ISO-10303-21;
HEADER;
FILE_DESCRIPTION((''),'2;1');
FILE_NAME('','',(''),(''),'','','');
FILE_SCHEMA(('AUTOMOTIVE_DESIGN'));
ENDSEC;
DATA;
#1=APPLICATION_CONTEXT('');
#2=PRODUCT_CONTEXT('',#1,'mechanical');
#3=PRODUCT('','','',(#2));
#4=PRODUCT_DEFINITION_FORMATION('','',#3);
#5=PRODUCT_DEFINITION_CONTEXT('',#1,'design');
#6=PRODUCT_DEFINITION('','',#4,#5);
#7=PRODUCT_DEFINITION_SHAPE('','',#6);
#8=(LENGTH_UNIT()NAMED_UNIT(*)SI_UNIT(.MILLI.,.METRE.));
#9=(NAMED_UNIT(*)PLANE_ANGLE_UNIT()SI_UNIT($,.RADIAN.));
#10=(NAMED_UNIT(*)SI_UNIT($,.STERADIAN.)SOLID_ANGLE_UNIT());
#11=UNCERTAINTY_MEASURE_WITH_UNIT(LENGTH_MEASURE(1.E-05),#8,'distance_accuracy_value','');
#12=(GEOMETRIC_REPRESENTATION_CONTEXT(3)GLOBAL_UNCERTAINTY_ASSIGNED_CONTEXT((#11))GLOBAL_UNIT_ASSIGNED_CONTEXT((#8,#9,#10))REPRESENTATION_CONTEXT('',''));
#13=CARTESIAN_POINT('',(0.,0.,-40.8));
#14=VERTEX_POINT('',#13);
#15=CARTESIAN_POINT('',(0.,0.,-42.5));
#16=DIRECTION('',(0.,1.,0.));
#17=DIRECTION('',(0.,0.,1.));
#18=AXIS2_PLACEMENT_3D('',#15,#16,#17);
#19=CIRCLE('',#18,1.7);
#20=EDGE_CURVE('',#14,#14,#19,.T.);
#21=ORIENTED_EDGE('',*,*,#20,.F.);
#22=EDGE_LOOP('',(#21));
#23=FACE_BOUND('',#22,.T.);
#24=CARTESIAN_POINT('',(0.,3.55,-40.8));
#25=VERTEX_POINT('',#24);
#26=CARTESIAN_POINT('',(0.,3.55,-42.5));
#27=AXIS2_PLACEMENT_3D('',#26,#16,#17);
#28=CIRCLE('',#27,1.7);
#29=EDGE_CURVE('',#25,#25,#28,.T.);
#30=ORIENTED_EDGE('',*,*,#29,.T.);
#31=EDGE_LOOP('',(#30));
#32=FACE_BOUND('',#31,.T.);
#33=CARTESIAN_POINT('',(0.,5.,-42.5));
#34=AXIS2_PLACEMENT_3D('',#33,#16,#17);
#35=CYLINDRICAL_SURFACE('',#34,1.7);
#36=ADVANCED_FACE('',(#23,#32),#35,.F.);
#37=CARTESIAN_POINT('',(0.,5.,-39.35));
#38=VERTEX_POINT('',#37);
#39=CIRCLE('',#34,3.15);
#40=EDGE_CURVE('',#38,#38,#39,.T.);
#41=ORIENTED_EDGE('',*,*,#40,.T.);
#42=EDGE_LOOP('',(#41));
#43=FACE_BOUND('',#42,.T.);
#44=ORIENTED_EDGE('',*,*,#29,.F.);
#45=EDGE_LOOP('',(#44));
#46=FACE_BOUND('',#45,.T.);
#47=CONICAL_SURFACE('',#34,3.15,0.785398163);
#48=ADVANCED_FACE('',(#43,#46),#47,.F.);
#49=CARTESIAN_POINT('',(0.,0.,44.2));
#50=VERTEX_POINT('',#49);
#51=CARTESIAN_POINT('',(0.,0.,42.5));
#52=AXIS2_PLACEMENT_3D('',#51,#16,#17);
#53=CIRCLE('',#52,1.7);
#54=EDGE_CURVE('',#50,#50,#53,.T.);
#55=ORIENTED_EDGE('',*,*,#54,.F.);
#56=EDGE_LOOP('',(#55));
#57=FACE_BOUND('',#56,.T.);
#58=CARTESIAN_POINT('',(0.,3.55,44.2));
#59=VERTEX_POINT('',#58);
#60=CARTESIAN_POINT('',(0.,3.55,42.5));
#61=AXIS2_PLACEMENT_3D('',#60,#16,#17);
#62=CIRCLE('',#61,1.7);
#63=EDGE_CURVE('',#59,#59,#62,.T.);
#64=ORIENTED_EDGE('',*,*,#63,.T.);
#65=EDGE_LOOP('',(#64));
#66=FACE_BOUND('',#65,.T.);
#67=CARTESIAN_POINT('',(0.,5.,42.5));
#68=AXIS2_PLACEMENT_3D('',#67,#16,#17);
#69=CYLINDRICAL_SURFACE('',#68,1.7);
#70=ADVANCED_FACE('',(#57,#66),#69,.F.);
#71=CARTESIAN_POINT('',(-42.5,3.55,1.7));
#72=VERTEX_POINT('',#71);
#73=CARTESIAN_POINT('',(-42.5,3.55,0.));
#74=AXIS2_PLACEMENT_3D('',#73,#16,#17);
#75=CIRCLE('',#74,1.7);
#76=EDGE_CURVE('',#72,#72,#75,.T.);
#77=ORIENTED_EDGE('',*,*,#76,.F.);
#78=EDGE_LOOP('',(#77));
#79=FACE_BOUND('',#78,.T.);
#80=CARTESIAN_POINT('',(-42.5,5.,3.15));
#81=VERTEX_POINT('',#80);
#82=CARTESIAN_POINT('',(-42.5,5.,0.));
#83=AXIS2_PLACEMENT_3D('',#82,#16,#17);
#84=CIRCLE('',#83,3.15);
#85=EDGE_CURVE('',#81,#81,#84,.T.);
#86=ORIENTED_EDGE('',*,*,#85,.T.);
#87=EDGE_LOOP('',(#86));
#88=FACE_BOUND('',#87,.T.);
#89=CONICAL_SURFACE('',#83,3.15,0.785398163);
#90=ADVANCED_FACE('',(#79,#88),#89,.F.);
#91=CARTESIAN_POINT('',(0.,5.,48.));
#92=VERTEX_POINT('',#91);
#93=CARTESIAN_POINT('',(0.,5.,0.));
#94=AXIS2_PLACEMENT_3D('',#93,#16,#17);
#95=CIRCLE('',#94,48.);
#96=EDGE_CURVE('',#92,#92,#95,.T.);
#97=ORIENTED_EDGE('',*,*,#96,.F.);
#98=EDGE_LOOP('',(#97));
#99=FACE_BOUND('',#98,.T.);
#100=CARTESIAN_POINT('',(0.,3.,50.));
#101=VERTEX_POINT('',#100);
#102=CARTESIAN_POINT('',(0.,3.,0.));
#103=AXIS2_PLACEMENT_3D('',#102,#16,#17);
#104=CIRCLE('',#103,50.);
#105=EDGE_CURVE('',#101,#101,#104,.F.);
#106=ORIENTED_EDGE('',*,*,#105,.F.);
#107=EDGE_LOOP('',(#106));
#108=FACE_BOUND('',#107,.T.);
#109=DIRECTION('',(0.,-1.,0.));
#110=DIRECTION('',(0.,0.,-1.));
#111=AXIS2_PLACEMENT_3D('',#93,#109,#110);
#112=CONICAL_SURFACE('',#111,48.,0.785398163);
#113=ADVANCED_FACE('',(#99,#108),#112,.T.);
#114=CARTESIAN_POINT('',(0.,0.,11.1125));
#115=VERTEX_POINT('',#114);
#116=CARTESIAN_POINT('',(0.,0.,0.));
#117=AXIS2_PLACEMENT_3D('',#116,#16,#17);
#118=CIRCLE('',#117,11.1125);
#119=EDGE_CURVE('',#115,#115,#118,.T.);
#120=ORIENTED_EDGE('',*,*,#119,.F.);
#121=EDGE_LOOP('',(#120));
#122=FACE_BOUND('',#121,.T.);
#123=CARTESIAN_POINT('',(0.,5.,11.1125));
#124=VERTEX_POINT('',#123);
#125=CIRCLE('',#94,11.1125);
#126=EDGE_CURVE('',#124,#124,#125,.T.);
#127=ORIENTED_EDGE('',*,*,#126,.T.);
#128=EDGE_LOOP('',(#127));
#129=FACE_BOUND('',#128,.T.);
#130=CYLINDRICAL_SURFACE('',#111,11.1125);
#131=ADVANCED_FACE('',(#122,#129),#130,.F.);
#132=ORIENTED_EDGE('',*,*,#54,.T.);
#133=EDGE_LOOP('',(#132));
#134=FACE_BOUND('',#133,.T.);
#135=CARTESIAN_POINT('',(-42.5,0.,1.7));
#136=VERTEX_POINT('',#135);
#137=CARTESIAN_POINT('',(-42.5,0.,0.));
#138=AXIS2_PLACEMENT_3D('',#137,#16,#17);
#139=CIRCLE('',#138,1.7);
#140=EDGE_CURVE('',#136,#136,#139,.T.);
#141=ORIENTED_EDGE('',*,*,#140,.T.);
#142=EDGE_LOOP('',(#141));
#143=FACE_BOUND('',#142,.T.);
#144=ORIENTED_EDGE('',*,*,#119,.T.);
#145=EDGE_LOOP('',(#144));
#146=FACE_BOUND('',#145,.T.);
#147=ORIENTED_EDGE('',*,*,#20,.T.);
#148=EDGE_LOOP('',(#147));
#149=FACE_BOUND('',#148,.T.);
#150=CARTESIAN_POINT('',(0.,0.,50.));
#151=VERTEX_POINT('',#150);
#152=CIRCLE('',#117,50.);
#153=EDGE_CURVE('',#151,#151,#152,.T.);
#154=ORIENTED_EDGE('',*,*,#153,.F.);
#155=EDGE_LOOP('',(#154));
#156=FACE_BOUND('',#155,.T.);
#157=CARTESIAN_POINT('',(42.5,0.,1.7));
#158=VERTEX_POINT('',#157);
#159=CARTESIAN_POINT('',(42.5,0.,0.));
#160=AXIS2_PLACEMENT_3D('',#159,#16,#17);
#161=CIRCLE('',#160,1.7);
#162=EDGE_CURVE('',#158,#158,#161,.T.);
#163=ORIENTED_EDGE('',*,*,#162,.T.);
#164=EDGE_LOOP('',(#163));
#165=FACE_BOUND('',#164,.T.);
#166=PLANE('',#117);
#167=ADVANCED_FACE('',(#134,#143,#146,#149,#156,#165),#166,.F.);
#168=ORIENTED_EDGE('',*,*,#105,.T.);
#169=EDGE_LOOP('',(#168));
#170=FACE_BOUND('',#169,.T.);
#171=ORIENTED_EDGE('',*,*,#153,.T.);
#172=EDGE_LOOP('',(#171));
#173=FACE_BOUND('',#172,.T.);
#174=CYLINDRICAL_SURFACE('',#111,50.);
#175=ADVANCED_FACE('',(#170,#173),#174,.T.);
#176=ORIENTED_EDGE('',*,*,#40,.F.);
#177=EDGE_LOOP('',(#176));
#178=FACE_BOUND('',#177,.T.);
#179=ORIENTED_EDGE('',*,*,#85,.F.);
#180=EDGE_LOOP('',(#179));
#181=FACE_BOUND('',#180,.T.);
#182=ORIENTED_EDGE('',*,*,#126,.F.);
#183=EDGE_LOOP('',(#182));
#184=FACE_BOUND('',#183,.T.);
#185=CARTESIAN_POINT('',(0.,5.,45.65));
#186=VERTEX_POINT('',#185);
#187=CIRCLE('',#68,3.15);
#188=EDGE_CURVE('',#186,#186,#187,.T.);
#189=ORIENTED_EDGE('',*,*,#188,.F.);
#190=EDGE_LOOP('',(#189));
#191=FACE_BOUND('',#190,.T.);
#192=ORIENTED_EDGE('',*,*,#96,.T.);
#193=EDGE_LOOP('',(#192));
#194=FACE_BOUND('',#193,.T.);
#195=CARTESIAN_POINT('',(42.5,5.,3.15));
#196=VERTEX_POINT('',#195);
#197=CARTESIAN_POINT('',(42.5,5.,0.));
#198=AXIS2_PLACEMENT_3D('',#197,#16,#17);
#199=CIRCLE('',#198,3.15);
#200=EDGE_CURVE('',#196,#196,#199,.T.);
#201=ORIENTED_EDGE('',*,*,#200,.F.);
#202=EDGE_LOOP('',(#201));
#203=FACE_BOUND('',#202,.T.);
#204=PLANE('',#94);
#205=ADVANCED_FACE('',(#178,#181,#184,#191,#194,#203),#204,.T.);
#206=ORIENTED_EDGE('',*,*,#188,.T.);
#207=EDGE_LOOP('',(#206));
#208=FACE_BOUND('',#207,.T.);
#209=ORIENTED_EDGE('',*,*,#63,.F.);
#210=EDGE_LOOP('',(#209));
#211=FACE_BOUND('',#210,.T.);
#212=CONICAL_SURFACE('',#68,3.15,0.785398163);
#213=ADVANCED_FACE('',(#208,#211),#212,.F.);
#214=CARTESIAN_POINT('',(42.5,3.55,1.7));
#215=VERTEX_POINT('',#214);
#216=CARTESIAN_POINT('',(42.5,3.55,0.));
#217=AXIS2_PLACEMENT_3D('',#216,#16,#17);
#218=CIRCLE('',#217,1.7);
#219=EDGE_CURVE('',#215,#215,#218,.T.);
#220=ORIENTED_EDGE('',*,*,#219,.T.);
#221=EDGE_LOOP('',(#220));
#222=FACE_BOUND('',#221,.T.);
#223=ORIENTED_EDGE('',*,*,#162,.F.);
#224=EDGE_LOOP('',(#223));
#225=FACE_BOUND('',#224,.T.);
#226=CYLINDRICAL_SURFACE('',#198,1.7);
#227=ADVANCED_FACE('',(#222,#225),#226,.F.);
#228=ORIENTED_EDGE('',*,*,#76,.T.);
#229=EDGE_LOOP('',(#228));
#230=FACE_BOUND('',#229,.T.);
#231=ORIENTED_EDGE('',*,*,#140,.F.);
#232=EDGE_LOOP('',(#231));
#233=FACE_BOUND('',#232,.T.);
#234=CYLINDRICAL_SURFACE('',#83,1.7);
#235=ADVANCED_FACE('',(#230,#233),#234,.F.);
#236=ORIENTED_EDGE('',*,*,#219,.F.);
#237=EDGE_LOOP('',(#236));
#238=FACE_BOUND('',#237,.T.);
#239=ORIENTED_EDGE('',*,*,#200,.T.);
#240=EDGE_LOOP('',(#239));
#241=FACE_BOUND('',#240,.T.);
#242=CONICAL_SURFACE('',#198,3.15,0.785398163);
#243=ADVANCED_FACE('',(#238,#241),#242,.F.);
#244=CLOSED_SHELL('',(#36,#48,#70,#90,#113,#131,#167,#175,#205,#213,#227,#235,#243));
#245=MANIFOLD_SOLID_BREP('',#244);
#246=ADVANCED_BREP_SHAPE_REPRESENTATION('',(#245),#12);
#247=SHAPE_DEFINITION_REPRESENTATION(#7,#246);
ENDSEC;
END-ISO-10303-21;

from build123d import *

# Parameters (mm, degrees)
SKETCH1_R                                       = 50
SKETCH1_R_2                                     = 11.1125
BOSS_EXTRUDE1_DEPTH                             = 5
CSK_FOR_M3_FLAT_HEAD_MACHINE_SCREW1_D           = 3.4
CSK_FOR_M3_FLAT_HEAD_MACHINE_SCREW1_CSINK_D     = 6.3
CSK_FOR_M3_FLAT_HEAD_MACHINE_SCREW1_CSINK_ANGLE = 90
CIRPATTERN1_COUNT                               = 4
CHAMFER1_SIZE                                   = 2


with BuildPart() as part:
    # Sketch1 → Boss-Extrude1 (new body)
    with BuildSketch(Plane(origin=(0, 0, 0), x_dir=(1, 0, 0), z_dir=(0, 1, 0))):
        with Locations(Location((0, 0, 0), (0, 0, 270))):
            Circle(SKETCH1_R)
        with Locations(Location((0, 0, 0), (0, 0, 270))):
            Circle(SKETCH1_R_2, mode=Mode.SUBTRACT)
    extrude(amount=BOSS_EXTRUDE1_DEPTH)

    # CSK for M3 Flat Head Machine Screw1 (through all)
    with Locations(Plane(origin=(0, 5, 0), x_dir=(1, 0, 0), z_dir=(0, 1, 0))):
        with Locations((0, 42.5)):
            csk_for_m3_flat_head_machine_screw1 = CounterSinkHole(CSK_FOR_M3_FLAT_HEAD_MACHINE_SCREW1_D / 2, CSK_FOR_M3_FLAT_HEAD_MACHINE_SCREW1_CSINK_D / 2, counter_sink_angle=CSK_FOR_M3_FLAT_HEAD_MACHINE_SCREW1_CSINK_ANGLE)

    # CirPattern1: CSK for M3 Flat Head Machine Screw1 ×4 about axis
    cirpattern1_axis = Axis((0, 0, 0), (0, 1, 0))
    for i in range(1, CIRPATTERN1_COUNT):
        add(csk_for_m3_flat_head_machine_screw1.rotate(cirpattern1_axis, i * 360 / CIRPATTERN1_COUNT), mode=Mode.SUBTRACT)

    # Chamfer1
    chamfer1_edges = [part.edges().sort_by_distance(p)[0] for p in [
        (0, 5, -50),
    ]]
    chamfer(chamfer1_edges, length=CHAMFER1_SIZE)


solid = part.part
